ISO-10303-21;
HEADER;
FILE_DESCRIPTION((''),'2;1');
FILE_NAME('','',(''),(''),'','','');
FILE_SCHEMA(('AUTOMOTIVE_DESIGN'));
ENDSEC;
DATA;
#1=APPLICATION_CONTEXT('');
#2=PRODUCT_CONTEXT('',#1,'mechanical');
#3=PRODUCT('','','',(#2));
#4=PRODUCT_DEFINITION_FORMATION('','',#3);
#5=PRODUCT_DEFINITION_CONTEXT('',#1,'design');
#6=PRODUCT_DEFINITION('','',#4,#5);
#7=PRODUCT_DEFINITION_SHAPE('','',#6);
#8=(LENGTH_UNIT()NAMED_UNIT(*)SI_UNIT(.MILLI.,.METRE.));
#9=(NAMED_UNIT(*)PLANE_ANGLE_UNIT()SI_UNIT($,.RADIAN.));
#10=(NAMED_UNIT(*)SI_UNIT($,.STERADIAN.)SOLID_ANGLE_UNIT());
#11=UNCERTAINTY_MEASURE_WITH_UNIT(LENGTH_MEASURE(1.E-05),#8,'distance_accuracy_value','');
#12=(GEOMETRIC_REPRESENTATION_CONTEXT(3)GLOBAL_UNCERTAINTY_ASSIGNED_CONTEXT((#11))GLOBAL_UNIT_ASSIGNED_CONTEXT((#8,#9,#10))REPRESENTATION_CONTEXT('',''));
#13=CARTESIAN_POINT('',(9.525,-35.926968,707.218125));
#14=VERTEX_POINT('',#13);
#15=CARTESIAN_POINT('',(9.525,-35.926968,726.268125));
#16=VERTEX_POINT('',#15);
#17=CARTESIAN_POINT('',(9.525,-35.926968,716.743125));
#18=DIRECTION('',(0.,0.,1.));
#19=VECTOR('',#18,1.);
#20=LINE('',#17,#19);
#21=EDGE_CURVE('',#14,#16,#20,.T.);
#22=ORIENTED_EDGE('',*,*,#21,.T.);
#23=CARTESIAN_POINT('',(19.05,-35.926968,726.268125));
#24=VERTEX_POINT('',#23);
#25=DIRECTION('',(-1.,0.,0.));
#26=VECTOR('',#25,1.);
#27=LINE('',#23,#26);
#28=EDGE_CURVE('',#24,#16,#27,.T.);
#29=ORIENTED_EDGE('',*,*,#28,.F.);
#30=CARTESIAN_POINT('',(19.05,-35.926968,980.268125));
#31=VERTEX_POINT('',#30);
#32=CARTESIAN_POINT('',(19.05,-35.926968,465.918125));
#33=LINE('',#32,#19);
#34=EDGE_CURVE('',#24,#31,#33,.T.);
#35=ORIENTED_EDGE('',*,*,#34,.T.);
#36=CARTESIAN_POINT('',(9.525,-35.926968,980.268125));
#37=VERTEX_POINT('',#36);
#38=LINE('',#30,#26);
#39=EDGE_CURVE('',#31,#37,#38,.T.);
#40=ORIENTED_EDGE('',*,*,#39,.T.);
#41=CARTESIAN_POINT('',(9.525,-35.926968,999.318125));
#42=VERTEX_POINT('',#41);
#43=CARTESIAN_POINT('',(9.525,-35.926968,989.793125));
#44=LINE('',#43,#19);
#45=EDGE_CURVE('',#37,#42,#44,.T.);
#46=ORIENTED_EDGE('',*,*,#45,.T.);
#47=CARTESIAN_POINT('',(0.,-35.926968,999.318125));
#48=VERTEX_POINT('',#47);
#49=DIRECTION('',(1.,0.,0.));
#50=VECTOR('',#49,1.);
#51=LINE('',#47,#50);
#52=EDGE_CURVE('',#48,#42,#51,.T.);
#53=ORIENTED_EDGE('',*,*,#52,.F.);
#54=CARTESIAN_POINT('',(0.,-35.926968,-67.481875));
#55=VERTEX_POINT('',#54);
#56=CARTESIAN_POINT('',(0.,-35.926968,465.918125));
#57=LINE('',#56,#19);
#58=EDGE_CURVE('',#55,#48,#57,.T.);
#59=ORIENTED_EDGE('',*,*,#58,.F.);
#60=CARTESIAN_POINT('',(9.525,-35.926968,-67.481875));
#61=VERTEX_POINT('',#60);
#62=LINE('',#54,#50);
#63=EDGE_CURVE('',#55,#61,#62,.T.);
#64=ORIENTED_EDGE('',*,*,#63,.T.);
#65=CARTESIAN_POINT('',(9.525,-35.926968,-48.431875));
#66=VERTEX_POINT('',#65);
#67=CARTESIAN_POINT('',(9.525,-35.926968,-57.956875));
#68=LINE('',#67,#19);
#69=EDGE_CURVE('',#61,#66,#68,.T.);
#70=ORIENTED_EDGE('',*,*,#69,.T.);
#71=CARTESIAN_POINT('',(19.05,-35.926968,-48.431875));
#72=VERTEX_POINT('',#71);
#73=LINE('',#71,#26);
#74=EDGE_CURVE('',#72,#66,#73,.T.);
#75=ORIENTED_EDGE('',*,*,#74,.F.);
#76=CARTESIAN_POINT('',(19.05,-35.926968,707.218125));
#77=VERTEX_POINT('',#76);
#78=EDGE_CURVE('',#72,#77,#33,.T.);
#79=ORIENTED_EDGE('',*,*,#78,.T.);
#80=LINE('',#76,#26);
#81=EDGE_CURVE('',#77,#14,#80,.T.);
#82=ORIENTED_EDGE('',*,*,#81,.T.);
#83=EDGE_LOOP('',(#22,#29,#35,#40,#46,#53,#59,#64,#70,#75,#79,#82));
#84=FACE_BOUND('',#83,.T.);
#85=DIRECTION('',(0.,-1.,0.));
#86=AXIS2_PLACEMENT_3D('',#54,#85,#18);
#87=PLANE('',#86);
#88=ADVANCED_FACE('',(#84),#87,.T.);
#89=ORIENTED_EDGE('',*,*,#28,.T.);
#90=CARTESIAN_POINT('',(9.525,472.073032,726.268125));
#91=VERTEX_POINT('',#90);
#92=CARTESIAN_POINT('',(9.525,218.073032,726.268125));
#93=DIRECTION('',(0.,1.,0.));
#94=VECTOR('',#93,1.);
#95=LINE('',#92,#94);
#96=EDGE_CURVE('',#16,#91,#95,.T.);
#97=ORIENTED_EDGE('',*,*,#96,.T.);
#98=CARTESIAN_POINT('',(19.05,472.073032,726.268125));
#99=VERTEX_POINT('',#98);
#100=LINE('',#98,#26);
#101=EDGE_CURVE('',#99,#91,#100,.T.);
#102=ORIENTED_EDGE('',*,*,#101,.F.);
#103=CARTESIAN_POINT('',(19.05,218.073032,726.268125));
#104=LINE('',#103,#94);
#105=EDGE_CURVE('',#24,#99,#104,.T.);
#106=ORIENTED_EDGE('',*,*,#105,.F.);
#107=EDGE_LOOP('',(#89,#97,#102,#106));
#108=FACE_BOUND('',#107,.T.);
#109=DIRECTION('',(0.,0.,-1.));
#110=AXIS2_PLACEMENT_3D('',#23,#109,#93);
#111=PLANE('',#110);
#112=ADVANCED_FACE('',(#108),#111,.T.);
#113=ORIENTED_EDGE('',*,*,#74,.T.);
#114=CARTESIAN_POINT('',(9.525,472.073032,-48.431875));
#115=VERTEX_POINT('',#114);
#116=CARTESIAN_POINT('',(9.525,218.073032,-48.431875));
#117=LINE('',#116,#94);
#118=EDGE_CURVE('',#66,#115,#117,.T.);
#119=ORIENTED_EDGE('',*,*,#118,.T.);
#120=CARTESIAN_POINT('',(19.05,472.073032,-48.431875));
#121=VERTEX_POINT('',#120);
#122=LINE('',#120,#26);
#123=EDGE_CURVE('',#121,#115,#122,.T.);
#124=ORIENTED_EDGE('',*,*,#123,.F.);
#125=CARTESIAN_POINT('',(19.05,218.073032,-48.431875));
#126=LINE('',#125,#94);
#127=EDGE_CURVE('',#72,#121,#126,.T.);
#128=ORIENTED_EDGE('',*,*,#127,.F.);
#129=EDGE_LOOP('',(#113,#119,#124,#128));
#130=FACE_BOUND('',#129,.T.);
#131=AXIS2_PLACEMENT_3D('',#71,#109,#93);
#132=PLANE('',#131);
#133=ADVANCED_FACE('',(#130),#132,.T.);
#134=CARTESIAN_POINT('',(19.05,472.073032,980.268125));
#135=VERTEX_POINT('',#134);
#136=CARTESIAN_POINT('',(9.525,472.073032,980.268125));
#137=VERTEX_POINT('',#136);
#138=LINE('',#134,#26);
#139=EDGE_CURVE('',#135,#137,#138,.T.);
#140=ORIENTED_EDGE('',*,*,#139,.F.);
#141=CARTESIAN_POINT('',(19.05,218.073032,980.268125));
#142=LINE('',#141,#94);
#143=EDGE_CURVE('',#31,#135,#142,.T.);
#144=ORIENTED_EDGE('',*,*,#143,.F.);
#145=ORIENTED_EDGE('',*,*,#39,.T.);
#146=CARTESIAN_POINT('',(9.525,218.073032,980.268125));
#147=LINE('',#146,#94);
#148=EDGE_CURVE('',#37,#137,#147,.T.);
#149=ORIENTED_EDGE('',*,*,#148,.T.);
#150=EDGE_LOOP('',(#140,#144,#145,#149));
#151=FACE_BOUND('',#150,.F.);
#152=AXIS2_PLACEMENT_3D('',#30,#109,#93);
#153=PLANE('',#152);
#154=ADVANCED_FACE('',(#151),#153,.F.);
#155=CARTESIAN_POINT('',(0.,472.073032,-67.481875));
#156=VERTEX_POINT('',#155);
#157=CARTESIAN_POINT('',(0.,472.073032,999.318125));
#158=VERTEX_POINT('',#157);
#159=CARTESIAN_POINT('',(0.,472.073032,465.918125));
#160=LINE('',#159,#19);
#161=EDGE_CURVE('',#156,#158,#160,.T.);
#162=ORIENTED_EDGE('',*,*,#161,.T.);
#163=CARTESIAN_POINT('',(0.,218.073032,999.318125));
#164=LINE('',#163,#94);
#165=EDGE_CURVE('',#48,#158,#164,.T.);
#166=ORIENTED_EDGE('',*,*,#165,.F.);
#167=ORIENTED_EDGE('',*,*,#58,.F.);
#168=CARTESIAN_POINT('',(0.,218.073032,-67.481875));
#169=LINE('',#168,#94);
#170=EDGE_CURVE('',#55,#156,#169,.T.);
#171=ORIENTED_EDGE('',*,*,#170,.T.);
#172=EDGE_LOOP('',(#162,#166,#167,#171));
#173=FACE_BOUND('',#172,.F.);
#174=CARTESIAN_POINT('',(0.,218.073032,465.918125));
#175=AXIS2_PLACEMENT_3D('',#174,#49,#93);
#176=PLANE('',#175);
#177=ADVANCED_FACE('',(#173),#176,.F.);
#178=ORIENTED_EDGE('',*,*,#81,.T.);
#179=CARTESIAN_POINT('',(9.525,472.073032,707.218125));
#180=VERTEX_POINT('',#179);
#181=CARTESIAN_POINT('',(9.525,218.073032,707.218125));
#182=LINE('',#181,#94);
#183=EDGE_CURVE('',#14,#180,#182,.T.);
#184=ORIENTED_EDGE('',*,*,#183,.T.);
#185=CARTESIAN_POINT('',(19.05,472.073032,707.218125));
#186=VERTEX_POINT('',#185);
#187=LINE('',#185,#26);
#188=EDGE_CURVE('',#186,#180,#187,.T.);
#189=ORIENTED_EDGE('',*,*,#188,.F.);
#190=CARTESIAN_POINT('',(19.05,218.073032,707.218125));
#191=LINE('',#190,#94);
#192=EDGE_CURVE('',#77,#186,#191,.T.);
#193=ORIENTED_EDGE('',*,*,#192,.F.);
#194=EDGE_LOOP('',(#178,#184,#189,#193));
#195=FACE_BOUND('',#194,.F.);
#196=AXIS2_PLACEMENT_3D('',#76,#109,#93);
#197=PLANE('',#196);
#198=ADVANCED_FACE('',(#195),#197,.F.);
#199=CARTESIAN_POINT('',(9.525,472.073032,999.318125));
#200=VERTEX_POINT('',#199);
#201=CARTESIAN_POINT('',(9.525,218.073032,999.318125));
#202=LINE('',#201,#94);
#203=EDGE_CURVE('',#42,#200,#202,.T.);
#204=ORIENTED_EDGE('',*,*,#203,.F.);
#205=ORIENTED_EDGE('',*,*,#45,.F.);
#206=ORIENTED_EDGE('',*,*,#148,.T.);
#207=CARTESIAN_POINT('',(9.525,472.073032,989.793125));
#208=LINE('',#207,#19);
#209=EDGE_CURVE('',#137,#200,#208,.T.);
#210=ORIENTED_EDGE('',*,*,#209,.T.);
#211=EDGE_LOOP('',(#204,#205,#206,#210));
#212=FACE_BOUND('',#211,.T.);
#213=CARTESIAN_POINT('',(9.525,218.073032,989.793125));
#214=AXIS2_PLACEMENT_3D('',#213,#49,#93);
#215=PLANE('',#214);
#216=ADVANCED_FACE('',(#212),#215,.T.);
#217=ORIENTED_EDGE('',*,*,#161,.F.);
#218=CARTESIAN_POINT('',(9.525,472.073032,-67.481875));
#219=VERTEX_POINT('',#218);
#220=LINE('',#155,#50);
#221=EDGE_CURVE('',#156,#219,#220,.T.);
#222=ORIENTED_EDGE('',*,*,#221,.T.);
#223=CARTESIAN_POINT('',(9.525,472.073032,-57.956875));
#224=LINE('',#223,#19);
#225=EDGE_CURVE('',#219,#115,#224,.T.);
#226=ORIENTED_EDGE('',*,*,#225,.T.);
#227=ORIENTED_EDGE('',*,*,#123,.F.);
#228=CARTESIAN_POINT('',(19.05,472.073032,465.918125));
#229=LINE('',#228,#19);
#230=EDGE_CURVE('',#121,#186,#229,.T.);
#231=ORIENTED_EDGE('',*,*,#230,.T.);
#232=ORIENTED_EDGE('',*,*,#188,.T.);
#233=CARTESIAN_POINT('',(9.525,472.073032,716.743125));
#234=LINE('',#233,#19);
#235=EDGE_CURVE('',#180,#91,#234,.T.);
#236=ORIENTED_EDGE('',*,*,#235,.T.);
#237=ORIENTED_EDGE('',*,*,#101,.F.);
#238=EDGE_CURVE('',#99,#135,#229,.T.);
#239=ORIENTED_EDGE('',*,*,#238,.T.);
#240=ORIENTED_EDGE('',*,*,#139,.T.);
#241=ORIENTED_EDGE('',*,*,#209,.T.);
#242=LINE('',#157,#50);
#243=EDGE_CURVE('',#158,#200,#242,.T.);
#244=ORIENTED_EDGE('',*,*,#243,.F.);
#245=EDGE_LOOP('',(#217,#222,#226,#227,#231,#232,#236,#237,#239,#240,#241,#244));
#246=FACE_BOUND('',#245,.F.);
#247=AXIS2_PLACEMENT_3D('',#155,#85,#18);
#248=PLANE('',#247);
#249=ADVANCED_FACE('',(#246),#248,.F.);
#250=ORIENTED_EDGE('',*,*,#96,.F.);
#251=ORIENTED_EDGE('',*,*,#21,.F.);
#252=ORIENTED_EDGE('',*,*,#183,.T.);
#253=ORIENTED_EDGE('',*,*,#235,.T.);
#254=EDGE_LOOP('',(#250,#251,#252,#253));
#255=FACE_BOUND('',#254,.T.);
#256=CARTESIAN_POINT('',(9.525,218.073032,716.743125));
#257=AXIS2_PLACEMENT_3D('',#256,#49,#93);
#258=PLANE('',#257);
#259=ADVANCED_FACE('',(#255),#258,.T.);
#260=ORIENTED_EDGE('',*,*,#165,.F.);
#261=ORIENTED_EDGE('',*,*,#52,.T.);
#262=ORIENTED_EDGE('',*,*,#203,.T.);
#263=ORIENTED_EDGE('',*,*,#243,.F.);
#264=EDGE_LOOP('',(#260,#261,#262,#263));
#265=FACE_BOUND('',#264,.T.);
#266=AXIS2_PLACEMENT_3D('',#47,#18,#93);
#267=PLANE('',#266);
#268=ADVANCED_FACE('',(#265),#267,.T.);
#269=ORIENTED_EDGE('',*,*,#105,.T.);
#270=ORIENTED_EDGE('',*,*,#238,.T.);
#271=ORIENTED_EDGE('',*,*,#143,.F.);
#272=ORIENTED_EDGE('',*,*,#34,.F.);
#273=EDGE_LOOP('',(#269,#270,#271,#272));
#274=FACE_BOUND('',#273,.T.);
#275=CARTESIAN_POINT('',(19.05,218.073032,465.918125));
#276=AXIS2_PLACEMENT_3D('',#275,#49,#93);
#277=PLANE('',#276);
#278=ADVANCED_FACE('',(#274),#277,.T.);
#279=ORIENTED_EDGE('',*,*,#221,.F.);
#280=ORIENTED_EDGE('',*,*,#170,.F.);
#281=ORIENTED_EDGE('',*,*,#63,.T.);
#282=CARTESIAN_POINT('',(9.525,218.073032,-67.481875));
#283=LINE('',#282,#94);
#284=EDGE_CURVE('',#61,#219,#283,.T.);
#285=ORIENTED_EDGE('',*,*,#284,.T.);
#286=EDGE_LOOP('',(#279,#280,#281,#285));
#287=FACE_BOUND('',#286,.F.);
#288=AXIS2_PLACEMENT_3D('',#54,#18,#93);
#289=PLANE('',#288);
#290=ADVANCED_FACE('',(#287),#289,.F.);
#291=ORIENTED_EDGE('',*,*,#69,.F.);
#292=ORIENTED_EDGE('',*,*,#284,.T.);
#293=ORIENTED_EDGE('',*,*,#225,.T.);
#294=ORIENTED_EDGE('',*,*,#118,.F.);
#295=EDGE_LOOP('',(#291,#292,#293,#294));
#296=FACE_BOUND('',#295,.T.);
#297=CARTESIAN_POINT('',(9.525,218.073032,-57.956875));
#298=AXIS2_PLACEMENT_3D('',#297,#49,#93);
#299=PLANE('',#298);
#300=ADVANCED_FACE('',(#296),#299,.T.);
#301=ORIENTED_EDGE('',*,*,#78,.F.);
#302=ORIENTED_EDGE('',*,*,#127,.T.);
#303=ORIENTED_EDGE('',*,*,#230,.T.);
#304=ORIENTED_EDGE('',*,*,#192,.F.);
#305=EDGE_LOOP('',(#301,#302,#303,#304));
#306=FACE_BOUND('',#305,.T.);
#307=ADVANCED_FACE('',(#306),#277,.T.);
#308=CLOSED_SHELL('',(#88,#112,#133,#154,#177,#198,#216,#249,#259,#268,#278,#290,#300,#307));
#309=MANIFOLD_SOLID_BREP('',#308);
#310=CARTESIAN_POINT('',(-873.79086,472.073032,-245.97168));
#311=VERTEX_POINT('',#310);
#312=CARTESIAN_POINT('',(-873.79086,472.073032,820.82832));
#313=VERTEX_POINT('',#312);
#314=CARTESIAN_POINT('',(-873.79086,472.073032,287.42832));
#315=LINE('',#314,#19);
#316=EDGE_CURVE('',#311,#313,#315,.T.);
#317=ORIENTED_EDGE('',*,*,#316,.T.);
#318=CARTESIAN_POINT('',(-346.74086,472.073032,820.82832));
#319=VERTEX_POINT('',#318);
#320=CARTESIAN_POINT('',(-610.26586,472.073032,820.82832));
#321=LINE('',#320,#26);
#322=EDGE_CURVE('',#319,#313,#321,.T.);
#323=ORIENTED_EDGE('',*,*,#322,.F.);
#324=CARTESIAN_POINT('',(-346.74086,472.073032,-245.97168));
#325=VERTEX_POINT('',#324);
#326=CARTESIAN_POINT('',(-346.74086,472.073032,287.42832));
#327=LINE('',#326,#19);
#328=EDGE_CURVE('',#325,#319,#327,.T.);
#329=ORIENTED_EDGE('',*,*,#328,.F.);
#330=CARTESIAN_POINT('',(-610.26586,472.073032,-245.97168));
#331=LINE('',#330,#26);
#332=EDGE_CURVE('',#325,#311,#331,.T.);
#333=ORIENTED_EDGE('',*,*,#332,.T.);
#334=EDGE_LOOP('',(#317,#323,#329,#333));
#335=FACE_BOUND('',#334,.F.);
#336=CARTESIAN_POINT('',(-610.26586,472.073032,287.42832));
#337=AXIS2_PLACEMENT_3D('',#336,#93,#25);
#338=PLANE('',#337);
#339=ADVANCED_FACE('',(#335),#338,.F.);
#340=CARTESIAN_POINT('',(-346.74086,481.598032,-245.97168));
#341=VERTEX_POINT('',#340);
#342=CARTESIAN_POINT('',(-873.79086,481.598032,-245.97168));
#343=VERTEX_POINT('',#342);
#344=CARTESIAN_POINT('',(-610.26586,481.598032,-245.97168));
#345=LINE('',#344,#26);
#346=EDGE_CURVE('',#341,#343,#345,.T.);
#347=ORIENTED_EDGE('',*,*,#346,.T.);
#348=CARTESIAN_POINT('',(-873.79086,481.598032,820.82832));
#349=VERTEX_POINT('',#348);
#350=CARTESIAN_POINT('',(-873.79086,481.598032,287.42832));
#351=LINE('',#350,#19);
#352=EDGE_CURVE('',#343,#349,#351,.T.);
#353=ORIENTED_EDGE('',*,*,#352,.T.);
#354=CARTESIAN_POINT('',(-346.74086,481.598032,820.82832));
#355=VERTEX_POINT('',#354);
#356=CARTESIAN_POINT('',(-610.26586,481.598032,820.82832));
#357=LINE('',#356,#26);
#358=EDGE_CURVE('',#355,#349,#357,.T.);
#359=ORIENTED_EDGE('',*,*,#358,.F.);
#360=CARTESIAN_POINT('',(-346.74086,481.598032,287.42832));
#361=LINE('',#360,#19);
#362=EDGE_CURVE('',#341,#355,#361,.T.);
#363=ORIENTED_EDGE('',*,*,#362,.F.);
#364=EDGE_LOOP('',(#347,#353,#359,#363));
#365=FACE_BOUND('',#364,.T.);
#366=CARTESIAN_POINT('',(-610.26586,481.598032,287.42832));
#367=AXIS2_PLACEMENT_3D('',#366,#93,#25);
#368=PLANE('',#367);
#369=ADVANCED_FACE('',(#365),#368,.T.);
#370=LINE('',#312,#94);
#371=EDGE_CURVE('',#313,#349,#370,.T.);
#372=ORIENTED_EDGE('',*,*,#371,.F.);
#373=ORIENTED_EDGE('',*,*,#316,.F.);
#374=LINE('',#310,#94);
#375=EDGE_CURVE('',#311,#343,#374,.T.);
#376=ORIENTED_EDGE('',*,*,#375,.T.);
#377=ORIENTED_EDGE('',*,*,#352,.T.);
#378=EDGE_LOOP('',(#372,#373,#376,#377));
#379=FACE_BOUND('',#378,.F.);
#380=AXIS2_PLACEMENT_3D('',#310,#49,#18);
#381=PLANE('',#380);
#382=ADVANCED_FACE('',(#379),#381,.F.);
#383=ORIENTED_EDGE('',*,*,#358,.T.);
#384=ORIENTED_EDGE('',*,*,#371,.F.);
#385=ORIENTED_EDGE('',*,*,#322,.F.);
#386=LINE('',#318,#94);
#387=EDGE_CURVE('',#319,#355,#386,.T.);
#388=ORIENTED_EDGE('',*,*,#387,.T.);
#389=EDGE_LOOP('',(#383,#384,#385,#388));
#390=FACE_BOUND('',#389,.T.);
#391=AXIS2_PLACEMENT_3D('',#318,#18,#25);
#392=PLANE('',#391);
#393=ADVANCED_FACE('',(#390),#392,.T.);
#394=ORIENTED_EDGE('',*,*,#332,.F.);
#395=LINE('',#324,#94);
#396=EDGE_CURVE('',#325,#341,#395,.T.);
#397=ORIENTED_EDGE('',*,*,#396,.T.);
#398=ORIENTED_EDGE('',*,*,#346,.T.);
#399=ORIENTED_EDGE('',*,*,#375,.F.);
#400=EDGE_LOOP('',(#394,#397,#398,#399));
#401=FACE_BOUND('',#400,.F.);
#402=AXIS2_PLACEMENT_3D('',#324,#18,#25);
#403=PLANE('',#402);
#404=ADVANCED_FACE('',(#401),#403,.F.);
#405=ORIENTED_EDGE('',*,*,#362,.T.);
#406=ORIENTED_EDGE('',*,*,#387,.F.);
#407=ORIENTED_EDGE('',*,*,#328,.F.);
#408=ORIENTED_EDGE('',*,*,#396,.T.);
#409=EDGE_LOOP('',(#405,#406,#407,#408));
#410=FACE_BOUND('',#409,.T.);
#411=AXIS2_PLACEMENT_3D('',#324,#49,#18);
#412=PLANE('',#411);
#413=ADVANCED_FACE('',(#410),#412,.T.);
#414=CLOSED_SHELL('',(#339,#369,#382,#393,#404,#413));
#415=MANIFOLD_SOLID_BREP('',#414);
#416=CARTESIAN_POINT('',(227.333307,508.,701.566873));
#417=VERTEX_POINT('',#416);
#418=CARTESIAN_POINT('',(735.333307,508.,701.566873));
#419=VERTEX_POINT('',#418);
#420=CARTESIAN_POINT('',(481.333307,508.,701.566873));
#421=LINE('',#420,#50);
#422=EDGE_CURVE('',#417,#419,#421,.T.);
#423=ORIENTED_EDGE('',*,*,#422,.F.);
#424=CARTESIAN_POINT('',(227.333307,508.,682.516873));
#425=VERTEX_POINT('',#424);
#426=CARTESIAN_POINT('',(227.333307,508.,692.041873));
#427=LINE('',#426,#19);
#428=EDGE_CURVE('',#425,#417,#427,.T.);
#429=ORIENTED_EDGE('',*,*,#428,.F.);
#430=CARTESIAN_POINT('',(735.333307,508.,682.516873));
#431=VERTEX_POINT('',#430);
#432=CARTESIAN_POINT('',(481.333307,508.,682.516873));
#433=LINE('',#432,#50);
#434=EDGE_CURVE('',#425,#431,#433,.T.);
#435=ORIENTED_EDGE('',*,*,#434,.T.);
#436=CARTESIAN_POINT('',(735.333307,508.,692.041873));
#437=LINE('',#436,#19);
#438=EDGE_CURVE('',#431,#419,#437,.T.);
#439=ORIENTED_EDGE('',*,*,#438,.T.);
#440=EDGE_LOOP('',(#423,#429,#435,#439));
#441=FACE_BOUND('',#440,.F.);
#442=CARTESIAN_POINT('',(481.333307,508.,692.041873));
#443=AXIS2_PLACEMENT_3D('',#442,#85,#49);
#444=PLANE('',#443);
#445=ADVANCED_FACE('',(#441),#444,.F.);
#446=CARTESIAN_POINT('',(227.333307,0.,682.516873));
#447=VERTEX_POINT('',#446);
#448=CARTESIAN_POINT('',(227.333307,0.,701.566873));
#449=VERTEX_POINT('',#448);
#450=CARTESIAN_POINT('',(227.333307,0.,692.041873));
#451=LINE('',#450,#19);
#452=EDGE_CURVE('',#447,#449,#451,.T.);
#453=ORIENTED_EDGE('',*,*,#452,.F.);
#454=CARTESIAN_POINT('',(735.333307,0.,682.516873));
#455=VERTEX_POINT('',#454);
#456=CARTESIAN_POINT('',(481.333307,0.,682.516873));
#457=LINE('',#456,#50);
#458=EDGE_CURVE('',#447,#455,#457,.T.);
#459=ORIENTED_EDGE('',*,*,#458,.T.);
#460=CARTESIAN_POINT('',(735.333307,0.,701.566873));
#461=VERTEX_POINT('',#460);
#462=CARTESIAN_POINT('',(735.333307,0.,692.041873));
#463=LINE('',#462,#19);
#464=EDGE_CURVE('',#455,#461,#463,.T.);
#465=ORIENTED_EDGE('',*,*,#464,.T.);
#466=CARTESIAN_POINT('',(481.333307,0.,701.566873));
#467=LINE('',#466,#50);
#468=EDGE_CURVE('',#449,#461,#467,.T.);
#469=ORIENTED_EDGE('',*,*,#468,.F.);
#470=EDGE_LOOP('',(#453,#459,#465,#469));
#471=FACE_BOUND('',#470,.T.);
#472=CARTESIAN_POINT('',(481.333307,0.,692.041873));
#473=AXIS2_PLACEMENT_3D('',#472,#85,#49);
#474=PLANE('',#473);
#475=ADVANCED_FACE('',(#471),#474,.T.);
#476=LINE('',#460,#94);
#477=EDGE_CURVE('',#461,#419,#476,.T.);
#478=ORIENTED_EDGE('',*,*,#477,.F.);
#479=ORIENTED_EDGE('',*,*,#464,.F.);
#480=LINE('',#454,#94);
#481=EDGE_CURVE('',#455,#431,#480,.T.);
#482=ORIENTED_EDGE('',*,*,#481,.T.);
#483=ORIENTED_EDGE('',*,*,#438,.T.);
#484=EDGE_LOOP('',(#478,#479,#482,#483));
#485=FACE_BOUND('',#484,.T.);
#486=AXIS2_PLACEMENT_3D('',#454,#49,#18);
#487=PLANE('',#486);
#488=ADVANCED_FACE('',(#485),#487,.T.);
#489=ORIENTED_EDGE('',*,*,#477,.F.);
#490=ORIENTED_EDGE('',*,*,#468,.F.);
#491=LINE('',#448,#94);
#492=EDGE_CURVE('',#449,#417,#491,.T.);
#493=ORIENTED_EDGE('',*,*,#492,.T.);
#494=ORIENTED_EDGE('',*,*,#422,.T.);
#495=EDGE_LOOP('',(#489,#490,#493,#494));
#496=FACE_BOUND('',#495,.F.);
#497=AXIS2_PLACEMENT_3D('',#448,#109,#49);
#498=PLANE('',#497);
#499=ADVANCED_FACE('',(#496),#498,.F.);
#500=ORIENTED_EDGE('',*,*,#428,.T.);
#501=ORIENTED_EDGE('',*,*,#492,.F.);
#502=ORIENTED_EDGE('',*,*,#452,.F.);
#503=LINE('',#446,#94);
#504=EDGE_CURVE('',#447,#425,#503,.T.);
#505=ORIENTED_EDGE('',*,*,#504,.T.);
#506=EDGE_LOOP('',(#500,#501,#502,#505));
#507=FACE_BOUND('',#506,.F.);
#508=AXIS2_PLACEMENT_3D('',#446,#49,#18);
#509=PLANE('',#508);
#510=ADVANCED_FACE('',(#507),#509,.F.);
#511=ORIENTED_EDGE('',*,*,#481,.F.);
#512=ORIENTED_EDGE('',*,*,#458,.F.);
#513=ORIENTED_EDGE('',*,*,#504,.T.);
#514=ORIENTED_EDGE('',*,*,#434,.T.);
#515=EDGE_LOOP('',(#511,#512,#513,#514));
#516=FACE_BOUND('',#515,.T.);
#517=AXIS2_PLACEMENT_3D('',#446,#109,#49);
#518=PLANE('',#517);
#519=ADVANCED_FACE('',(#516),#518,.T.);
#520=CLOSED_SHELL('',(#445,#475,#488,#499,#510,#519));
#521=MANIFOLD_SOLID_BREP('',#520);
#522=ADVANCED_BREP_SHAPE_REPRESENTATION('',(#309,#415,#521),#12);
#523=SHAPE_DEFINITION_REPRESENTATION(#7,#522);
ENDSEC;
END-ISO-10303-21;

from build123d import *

# Parameters (mm, degrees)
F0_W      = 508
F0_H      = 1066.8
F1_DEPTH  = 19.05
F2_W      = 508
F2_H      = 19.05
F3_DEPTH  = 9.525
F4_W      = 508
F4_H      = 19.05
F5_DEPTH  = 9.525
F6_W      = 508
F6_H      = 19.05
F7_DEPTH  = 9.525
F8_W      = 508
F8_H      = 19.05
F9_DEPTH  = 508
F10_W     = 527.05
F10_H     = 1066.8
F11_DEPTH = 9.525


with BuildPart() as f1:
    # F0 (on Right) → F1 (new body)
    with BuildSketch(Plane.YZ):
        with Locations((218.073032, 465.918125)):
            Rectangle(F0_W, F0_H)
    extrude(amount=F1_DEPTH)

    # F2 (on face) → F3 (cut)
    with BuildSketch(Plane.YZ.offset(19.05)):
        with Locations((218.073032, 989.793125)):
            Rectangle(F2_W, F2_H)
    extrude(amount=-F3_DEPTH, mode=Mode.SUBTRACT)

    # F4 (on face) → F5 (cut)
    with BuildSketch(Plane.YZ.offset(19.05)):
        with Locations((218.073032, -57.956875)):
            Rectangle(F4_W, F4_H)
    extrude(amount=-F5_DEPTH, mode=Mode.SUBTRACT)

    # F6 (on face) → F7 (cut)
    with BuildSketch(Plane.YZ.offset(19.05)):
        with Locations((218.073032, 716.743125)):
            Rectangle(F6_W, F6_H)
    extrude(amount=-F7_DEPTH, mode=Mode.SUBTRACT)


with BuildPart() as f9:
    # F8 (on Front) → F9 (new body)
    with BuildSketch(Plane.XZ):
        with Locations((481.333307, 692.041873)):
            Rectangle(F8_W, F8_H)
    extrude(amount=-F9_DEPTH)


with BuildPart() as f11:
    # F10 (on face) → F11 (new body)
    with BuildSketch(Plane(origin=(0, 472.073032, 0), x_dir=(-1, 0, 0), z_dir=(0, 1, 0))):
        with Locations((610.26586, 287.42832)):
            Rectangle(F10_W, F10_H)
    extrude(amount=F11_DEPTH)


solid = Compound([f1.part, f9.part, f11.part])
